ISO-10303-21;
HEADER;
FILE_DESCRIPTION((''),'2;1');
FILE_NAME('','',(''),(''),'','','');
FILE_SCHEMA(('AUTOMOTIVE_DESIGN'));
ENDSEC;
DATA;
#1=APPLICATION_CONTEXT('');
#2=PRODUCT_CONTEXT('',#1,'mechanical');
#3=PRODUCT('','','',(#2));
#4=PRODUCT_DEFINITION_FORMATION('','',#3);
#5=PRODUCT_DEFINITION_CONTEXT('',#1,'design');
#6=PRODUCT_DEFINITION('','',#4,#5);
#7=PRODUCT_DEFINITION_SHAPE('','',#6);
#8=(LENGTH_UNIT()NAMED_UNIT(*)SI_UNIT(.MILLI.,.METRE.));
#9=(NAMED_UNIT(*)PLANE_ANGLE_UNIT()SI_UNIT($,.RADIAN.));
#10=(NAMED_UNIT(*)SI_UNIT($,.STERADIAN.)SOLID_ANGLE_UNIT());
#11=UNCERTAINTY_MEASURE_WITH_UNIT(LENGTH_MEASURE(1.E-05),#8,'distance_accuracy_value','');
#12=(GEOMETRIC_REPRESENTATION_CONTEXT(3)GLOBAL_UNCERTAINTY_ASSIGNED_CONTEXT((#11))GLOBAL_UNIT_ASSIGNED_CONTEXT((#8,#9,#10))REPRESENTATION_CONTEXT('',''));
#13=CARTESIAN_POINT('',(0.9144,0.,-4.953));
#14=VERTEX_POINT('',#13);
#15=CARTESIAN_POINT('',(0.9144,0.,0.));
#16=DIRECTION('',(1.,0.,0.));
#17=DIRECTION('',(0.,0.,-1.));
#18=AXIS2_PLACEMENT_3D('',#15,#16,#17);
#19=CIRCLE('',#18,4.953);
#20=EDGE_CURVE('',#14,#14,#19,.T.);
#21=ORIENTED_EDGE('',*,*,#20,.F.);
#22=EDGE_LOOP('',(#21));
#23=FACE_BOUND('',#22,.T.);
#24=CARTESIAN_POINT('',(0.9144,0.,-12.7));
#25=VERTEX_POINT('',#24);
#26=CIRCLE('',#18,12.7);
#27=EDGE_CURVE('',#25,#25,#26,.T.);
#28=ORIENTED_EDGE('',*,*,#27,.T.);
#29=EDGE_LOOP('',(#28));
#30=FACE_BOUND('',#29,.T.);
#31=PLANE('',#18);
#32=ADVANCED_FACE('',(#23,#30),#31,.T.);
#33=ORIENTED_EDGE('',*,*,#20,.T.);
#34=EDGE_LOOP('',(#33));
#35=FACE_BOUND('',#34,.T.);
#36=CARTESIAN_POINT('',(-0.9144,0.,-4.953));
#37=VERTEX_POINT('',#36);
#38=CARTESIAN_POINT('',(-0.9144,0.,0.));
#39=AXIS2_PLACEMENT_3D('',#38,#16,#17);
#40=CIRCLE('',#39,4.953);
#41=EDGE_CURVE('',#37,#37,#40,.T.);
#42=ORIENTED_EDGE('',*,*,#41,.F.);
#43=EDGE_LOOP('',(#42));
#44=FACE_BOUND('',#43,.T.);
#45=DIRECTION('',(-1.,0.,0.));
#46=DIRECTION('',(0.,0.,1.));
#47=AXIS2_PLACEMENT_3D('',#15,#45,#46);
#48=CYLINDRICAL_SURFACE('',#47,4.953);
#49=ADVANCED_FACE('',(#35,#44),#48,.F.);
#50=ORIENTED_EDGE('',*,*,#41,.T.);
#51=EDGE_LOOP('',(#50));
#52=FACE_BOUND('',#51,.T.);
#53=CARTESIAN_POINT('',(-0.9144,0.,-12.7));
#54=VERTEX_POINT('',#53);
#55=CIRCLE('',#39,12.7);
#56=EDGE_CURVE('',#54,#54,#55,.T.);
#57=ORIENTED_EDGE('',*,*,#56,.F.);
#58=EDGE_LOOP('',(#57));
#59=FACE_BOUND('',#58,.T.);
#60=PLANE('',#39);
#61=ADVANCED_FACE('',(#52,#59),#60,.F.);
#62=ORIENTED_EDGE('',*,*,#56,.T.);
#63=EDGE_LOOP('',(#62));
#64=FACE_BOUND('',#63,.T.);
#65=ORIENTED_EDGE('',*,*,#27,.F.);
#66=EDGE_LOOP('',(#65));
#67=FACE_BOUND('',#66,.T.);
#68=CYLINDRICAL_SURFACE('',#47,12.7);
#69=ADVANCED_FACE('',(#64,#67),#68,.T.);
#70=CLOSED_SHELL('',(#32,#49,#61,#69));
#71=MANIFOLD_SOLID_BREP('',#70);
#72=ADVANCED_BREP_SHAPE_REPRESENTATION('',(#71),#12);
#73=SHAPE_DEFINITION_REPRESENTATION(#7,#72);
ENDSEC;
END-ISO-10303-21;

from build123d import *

# Parameters (mm, degrees)
SKETCH3_R           = 12.7
SKETCH3_R_2         = 4.953
BOSS_EXTRUDE1_DEPTH = 0.9144


with BuildPart() as part:
    # Sketch3 → Boss-Extrude1 (new, symmetric)
    with BuildSketch(Plane(origin=(0, 0, 0), x_dir=(0, 0, -1), z_dir=(1, 0, 0))):
        Circle(SKETCH3_R)
        Circle(SKETCH3_R_2, mode=Mode.SUBTRACT)
    extrude(amount=BOSS_EXTRUDE1_DEPTH, both=True)


solid = part.part
